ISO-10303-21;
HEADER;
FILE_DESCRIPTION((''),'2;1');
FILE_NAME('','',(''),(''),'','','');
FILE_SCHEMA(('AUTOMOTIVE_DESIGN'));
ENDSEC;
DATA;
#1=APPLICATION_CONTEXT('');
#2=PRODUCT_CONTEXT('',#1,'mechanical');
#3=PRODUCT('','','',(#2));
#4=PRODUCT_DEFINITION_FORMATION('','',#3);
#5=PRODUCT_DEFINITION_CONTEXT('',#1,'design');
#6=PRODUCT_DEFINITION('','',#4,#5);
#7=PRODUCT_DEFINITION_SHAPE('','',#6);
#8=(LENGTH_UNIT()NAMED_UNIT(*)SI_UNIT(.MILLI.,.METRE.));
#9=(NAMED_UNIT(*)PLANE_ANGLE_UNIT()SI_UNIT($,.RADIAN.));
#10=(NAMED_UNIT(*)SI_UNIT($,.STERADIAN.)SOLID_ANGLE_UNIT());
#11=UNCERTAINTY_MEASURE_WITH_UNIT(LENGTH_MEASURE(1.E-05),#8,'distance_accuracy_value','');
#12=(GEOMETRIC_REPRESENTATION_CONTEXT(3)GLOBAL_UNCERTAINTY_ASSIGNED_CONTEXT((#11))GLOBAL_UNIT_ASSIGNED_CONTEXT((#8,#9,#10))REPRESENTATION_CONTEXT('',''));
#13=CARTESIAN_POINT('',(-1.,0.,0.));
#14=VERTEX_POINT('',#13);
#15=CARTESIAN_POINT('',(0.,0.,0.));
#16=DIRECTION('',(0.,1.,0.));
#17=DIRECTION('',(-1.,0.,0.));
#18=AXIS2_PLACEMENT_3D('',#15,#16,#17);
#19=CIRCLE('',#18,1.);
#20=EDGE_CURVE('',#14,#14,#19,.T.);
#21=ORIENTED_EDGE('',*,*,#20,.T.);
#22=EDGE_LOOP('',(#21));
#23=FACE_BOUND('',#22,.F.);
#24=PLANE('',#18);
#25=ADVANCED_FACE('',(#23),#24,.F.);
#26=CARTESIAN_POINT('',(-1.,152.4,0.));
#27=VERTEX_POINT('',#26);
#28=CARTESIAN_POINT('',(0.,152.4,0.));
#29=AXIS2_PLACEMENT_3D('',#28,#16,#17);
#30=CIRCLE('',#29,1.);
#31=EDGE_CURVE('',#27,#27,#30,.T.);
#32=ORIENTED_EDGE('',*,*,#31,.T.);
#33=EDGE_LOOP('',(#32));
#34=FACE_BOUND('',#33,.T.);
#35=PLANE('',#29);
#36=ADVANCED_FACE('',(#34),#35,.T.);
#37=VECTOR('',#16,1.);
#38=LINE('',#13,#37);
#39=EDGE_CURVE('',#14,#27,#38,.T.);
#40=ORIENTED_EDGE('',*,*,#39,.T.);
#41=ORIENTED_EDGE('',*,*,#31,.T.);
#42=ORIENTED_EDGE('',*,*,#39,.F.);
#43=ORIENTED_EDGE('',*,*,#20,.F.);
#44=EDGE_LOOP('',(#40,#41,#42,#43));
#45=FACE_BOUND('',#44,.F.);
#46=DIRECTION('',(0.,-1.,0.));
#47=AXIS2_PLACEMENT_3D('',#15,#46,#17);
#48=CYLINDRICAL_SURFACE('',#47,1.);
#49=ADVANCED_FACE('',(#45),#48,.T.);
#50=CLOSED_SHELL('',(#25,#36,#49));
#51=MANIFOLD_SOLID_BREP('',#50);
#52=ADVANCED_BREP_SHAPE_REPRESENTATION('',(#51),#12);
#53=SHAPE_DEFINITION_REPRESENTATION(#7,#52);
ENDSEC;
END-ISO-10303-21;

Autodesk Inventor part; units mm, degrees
ref_plane "YZ Plane" through (0, 0, 0) normal (1, 0, 0) x (0, 1, 0)
ref_plane "XZ Plane" through (0, 0, 0) normal (0, 1, 0) x (-1, 0, 0)
ref_plane "XY Plane" through (0, 0, 0) normal (0, 0, 1) x (1, 0, 0)
sketch "Shaft Sketch" plane through (0, 0, 0) normal (0, 1, 0) x (-1, 0, 0)
  circle A0 centre (0, 0) radius 1
  dimension "d0" = 2
extrude "6' Extrusion" add sketch "Shaft Sketch" along normal blind 152.4
properties part number "2mmAxel"
